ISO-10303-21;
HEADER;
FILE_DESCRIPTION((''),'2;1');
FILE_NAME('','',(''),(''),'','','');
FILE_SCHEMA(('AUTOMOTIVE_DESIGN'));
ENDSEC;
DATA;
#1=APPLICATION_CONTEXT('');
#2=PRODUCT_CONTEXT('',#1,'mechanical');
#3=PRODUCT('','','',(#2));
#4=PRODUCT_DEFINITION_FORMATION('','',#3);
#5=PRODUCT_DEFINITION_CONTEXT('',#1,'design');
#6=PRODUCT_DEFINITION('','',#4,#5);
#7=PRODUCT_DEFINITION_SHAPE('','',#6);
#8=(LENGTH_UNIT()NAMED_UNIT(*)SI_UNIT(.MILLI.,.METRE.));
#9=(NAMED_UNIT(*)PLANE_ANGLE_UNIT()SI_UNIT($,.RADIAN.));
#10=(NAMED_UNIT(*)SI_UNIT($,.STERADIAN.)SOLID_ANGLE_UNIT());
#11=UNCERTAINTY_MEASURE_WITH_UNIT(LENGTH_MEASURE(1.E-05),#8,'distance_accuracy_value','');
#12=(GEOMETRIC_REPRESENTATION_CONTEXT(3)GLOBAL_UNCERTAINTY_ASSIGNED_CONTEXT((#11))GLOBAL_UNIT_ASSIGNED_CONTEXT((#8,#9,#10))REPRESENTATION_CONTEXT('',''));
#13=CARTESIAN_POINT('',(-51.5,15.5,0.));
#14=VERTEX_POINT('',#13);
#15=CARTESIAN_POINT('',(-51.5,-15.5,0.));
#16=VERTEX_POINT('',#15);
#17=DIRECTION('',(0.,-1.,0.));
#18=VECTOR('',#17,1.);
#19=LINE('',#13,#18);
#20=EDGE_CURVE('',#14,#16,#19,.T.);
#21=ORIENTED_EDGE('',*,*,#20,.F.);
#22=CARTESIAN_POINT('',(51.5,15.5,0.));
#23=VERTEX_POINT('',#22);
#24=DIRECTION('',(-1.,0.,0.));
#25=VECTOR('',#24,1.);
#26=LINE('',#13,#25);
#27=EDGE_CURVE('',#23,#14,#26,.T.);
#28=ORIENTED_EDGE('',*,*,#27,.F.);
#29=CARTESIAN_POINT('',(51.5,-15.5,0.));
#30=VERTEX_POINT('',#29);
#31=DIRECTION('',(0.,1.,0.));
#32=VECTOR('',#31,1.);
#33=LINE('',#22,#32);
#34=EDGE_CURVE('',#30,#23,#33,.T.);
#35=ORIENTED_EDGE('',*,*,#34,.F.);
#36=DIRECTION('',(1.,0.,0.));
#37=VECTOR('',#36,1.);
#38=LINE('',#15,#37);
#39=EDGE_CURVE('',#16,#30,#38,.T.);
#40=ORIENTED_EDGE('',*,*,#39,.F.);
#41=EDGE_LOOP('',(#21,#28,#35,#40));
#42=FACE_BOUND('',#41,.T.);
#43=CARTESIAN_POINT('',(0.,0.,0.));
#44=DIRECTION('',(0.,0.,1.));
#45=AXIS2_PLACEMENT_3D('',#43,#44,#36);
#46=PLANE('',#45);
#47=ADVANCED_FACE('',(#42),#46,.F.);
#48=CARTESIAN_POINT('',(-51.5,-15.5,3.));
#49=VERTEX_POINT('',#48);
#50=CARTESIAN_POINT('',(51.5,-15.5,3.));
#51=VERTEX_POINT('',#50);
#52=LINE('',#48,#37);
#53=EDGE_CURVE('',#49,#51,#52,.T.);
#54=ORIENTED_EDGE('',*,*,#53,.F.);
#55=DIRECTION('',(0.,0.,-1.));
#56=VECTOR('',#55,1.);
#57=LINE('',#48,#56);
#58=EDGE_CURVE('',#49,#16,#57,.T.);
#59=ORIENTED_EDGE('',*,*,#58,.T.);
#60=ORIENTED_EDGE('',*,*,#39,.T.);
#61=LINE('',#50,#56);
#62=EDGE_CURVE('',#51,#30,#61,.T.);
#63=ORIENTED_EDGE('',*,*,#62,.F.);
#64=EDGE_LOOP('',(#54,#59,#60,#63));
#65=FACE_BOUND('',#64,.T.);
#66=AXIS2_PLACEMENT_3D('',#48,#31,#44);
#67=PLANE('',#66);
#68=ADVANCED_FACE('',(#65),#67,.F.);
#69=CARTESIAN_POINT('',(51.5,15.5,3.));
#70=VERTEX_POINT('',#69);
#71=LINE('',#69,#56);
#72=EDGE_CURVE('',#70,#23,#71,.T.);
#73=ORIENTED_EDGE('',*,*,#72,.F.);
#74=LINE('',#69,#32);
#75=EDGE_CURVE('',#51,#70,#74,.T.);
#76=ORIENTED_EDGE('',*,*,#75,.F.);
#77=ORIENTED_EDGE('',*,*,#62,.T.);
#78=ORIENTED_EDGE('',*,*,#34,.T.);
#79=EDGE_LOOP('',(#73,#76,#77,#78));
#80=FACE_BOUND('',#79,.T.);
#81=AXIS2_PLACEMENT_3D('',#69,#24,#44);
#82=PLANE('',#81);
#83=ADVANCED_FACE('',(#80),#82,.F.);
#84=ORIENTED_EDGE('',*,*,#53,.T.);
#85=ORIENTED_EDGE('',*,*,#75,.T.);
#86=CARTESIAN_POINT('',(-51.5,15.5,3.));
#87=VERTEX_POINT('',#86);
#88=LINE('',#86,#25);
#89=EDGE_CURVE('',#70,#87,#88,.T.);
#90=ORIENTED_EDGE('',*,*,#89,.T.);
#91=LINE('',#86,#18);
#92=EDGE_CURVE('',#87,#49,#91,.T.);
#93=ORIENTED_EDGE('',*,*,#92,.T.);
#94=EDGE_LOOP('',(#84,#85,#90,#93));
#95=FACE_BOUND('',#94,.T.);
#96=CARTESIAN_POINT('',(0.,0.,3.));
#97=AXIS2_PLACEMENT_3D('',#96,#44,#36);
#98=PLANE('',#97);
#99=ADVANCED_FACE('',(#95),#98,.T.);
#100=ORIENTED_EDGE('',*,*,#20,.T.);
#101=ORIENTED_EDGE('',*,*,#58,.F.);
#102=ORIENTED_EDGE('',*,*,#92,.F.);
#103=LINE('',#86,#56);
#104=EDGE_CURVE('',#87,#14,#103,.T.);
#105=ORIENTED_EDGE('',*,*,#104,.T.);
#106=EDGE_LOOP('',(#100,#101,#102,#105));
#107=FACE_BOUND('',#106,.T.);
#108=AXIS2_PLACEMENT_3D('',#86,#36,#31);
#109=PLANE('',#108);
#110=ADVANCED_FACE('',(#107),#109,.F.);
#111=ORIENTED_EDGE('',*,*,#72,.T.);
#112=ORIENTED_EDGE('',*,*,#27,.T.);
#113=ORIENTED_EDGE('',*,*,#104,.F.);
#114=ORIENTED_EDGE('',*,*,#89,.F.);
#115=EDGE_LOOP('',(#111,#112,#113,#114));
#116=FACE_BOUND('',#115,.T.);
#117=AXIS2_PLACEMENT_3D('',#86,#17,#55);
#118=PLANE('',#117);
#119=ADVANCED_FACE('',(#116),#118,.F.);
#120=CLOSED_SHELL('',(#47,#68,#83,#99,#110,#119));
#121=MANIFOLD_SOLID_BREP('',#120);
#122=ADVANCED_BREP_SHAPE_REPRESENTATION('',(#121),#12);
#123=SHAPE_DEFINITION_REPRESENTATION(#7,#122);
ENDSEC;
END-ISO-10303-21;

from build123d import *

# Parameters (mm, degrees)
ESQUISSE1_W        = 103
ESQUISSE1_H        = 31
BOSS_EXTRU_1_DEPTH = 3


with BuildPart() as part:
    # Esquisse1 → Boss.-Extru.1 (new body)
    with BuildSketch(Plane.XY):
        Rectangle(ESQUISSE1_W, ESQUISSE1_H)
    extrude(amount=BOSS_EXTRU_1_DEPTH)


solid = part.part
